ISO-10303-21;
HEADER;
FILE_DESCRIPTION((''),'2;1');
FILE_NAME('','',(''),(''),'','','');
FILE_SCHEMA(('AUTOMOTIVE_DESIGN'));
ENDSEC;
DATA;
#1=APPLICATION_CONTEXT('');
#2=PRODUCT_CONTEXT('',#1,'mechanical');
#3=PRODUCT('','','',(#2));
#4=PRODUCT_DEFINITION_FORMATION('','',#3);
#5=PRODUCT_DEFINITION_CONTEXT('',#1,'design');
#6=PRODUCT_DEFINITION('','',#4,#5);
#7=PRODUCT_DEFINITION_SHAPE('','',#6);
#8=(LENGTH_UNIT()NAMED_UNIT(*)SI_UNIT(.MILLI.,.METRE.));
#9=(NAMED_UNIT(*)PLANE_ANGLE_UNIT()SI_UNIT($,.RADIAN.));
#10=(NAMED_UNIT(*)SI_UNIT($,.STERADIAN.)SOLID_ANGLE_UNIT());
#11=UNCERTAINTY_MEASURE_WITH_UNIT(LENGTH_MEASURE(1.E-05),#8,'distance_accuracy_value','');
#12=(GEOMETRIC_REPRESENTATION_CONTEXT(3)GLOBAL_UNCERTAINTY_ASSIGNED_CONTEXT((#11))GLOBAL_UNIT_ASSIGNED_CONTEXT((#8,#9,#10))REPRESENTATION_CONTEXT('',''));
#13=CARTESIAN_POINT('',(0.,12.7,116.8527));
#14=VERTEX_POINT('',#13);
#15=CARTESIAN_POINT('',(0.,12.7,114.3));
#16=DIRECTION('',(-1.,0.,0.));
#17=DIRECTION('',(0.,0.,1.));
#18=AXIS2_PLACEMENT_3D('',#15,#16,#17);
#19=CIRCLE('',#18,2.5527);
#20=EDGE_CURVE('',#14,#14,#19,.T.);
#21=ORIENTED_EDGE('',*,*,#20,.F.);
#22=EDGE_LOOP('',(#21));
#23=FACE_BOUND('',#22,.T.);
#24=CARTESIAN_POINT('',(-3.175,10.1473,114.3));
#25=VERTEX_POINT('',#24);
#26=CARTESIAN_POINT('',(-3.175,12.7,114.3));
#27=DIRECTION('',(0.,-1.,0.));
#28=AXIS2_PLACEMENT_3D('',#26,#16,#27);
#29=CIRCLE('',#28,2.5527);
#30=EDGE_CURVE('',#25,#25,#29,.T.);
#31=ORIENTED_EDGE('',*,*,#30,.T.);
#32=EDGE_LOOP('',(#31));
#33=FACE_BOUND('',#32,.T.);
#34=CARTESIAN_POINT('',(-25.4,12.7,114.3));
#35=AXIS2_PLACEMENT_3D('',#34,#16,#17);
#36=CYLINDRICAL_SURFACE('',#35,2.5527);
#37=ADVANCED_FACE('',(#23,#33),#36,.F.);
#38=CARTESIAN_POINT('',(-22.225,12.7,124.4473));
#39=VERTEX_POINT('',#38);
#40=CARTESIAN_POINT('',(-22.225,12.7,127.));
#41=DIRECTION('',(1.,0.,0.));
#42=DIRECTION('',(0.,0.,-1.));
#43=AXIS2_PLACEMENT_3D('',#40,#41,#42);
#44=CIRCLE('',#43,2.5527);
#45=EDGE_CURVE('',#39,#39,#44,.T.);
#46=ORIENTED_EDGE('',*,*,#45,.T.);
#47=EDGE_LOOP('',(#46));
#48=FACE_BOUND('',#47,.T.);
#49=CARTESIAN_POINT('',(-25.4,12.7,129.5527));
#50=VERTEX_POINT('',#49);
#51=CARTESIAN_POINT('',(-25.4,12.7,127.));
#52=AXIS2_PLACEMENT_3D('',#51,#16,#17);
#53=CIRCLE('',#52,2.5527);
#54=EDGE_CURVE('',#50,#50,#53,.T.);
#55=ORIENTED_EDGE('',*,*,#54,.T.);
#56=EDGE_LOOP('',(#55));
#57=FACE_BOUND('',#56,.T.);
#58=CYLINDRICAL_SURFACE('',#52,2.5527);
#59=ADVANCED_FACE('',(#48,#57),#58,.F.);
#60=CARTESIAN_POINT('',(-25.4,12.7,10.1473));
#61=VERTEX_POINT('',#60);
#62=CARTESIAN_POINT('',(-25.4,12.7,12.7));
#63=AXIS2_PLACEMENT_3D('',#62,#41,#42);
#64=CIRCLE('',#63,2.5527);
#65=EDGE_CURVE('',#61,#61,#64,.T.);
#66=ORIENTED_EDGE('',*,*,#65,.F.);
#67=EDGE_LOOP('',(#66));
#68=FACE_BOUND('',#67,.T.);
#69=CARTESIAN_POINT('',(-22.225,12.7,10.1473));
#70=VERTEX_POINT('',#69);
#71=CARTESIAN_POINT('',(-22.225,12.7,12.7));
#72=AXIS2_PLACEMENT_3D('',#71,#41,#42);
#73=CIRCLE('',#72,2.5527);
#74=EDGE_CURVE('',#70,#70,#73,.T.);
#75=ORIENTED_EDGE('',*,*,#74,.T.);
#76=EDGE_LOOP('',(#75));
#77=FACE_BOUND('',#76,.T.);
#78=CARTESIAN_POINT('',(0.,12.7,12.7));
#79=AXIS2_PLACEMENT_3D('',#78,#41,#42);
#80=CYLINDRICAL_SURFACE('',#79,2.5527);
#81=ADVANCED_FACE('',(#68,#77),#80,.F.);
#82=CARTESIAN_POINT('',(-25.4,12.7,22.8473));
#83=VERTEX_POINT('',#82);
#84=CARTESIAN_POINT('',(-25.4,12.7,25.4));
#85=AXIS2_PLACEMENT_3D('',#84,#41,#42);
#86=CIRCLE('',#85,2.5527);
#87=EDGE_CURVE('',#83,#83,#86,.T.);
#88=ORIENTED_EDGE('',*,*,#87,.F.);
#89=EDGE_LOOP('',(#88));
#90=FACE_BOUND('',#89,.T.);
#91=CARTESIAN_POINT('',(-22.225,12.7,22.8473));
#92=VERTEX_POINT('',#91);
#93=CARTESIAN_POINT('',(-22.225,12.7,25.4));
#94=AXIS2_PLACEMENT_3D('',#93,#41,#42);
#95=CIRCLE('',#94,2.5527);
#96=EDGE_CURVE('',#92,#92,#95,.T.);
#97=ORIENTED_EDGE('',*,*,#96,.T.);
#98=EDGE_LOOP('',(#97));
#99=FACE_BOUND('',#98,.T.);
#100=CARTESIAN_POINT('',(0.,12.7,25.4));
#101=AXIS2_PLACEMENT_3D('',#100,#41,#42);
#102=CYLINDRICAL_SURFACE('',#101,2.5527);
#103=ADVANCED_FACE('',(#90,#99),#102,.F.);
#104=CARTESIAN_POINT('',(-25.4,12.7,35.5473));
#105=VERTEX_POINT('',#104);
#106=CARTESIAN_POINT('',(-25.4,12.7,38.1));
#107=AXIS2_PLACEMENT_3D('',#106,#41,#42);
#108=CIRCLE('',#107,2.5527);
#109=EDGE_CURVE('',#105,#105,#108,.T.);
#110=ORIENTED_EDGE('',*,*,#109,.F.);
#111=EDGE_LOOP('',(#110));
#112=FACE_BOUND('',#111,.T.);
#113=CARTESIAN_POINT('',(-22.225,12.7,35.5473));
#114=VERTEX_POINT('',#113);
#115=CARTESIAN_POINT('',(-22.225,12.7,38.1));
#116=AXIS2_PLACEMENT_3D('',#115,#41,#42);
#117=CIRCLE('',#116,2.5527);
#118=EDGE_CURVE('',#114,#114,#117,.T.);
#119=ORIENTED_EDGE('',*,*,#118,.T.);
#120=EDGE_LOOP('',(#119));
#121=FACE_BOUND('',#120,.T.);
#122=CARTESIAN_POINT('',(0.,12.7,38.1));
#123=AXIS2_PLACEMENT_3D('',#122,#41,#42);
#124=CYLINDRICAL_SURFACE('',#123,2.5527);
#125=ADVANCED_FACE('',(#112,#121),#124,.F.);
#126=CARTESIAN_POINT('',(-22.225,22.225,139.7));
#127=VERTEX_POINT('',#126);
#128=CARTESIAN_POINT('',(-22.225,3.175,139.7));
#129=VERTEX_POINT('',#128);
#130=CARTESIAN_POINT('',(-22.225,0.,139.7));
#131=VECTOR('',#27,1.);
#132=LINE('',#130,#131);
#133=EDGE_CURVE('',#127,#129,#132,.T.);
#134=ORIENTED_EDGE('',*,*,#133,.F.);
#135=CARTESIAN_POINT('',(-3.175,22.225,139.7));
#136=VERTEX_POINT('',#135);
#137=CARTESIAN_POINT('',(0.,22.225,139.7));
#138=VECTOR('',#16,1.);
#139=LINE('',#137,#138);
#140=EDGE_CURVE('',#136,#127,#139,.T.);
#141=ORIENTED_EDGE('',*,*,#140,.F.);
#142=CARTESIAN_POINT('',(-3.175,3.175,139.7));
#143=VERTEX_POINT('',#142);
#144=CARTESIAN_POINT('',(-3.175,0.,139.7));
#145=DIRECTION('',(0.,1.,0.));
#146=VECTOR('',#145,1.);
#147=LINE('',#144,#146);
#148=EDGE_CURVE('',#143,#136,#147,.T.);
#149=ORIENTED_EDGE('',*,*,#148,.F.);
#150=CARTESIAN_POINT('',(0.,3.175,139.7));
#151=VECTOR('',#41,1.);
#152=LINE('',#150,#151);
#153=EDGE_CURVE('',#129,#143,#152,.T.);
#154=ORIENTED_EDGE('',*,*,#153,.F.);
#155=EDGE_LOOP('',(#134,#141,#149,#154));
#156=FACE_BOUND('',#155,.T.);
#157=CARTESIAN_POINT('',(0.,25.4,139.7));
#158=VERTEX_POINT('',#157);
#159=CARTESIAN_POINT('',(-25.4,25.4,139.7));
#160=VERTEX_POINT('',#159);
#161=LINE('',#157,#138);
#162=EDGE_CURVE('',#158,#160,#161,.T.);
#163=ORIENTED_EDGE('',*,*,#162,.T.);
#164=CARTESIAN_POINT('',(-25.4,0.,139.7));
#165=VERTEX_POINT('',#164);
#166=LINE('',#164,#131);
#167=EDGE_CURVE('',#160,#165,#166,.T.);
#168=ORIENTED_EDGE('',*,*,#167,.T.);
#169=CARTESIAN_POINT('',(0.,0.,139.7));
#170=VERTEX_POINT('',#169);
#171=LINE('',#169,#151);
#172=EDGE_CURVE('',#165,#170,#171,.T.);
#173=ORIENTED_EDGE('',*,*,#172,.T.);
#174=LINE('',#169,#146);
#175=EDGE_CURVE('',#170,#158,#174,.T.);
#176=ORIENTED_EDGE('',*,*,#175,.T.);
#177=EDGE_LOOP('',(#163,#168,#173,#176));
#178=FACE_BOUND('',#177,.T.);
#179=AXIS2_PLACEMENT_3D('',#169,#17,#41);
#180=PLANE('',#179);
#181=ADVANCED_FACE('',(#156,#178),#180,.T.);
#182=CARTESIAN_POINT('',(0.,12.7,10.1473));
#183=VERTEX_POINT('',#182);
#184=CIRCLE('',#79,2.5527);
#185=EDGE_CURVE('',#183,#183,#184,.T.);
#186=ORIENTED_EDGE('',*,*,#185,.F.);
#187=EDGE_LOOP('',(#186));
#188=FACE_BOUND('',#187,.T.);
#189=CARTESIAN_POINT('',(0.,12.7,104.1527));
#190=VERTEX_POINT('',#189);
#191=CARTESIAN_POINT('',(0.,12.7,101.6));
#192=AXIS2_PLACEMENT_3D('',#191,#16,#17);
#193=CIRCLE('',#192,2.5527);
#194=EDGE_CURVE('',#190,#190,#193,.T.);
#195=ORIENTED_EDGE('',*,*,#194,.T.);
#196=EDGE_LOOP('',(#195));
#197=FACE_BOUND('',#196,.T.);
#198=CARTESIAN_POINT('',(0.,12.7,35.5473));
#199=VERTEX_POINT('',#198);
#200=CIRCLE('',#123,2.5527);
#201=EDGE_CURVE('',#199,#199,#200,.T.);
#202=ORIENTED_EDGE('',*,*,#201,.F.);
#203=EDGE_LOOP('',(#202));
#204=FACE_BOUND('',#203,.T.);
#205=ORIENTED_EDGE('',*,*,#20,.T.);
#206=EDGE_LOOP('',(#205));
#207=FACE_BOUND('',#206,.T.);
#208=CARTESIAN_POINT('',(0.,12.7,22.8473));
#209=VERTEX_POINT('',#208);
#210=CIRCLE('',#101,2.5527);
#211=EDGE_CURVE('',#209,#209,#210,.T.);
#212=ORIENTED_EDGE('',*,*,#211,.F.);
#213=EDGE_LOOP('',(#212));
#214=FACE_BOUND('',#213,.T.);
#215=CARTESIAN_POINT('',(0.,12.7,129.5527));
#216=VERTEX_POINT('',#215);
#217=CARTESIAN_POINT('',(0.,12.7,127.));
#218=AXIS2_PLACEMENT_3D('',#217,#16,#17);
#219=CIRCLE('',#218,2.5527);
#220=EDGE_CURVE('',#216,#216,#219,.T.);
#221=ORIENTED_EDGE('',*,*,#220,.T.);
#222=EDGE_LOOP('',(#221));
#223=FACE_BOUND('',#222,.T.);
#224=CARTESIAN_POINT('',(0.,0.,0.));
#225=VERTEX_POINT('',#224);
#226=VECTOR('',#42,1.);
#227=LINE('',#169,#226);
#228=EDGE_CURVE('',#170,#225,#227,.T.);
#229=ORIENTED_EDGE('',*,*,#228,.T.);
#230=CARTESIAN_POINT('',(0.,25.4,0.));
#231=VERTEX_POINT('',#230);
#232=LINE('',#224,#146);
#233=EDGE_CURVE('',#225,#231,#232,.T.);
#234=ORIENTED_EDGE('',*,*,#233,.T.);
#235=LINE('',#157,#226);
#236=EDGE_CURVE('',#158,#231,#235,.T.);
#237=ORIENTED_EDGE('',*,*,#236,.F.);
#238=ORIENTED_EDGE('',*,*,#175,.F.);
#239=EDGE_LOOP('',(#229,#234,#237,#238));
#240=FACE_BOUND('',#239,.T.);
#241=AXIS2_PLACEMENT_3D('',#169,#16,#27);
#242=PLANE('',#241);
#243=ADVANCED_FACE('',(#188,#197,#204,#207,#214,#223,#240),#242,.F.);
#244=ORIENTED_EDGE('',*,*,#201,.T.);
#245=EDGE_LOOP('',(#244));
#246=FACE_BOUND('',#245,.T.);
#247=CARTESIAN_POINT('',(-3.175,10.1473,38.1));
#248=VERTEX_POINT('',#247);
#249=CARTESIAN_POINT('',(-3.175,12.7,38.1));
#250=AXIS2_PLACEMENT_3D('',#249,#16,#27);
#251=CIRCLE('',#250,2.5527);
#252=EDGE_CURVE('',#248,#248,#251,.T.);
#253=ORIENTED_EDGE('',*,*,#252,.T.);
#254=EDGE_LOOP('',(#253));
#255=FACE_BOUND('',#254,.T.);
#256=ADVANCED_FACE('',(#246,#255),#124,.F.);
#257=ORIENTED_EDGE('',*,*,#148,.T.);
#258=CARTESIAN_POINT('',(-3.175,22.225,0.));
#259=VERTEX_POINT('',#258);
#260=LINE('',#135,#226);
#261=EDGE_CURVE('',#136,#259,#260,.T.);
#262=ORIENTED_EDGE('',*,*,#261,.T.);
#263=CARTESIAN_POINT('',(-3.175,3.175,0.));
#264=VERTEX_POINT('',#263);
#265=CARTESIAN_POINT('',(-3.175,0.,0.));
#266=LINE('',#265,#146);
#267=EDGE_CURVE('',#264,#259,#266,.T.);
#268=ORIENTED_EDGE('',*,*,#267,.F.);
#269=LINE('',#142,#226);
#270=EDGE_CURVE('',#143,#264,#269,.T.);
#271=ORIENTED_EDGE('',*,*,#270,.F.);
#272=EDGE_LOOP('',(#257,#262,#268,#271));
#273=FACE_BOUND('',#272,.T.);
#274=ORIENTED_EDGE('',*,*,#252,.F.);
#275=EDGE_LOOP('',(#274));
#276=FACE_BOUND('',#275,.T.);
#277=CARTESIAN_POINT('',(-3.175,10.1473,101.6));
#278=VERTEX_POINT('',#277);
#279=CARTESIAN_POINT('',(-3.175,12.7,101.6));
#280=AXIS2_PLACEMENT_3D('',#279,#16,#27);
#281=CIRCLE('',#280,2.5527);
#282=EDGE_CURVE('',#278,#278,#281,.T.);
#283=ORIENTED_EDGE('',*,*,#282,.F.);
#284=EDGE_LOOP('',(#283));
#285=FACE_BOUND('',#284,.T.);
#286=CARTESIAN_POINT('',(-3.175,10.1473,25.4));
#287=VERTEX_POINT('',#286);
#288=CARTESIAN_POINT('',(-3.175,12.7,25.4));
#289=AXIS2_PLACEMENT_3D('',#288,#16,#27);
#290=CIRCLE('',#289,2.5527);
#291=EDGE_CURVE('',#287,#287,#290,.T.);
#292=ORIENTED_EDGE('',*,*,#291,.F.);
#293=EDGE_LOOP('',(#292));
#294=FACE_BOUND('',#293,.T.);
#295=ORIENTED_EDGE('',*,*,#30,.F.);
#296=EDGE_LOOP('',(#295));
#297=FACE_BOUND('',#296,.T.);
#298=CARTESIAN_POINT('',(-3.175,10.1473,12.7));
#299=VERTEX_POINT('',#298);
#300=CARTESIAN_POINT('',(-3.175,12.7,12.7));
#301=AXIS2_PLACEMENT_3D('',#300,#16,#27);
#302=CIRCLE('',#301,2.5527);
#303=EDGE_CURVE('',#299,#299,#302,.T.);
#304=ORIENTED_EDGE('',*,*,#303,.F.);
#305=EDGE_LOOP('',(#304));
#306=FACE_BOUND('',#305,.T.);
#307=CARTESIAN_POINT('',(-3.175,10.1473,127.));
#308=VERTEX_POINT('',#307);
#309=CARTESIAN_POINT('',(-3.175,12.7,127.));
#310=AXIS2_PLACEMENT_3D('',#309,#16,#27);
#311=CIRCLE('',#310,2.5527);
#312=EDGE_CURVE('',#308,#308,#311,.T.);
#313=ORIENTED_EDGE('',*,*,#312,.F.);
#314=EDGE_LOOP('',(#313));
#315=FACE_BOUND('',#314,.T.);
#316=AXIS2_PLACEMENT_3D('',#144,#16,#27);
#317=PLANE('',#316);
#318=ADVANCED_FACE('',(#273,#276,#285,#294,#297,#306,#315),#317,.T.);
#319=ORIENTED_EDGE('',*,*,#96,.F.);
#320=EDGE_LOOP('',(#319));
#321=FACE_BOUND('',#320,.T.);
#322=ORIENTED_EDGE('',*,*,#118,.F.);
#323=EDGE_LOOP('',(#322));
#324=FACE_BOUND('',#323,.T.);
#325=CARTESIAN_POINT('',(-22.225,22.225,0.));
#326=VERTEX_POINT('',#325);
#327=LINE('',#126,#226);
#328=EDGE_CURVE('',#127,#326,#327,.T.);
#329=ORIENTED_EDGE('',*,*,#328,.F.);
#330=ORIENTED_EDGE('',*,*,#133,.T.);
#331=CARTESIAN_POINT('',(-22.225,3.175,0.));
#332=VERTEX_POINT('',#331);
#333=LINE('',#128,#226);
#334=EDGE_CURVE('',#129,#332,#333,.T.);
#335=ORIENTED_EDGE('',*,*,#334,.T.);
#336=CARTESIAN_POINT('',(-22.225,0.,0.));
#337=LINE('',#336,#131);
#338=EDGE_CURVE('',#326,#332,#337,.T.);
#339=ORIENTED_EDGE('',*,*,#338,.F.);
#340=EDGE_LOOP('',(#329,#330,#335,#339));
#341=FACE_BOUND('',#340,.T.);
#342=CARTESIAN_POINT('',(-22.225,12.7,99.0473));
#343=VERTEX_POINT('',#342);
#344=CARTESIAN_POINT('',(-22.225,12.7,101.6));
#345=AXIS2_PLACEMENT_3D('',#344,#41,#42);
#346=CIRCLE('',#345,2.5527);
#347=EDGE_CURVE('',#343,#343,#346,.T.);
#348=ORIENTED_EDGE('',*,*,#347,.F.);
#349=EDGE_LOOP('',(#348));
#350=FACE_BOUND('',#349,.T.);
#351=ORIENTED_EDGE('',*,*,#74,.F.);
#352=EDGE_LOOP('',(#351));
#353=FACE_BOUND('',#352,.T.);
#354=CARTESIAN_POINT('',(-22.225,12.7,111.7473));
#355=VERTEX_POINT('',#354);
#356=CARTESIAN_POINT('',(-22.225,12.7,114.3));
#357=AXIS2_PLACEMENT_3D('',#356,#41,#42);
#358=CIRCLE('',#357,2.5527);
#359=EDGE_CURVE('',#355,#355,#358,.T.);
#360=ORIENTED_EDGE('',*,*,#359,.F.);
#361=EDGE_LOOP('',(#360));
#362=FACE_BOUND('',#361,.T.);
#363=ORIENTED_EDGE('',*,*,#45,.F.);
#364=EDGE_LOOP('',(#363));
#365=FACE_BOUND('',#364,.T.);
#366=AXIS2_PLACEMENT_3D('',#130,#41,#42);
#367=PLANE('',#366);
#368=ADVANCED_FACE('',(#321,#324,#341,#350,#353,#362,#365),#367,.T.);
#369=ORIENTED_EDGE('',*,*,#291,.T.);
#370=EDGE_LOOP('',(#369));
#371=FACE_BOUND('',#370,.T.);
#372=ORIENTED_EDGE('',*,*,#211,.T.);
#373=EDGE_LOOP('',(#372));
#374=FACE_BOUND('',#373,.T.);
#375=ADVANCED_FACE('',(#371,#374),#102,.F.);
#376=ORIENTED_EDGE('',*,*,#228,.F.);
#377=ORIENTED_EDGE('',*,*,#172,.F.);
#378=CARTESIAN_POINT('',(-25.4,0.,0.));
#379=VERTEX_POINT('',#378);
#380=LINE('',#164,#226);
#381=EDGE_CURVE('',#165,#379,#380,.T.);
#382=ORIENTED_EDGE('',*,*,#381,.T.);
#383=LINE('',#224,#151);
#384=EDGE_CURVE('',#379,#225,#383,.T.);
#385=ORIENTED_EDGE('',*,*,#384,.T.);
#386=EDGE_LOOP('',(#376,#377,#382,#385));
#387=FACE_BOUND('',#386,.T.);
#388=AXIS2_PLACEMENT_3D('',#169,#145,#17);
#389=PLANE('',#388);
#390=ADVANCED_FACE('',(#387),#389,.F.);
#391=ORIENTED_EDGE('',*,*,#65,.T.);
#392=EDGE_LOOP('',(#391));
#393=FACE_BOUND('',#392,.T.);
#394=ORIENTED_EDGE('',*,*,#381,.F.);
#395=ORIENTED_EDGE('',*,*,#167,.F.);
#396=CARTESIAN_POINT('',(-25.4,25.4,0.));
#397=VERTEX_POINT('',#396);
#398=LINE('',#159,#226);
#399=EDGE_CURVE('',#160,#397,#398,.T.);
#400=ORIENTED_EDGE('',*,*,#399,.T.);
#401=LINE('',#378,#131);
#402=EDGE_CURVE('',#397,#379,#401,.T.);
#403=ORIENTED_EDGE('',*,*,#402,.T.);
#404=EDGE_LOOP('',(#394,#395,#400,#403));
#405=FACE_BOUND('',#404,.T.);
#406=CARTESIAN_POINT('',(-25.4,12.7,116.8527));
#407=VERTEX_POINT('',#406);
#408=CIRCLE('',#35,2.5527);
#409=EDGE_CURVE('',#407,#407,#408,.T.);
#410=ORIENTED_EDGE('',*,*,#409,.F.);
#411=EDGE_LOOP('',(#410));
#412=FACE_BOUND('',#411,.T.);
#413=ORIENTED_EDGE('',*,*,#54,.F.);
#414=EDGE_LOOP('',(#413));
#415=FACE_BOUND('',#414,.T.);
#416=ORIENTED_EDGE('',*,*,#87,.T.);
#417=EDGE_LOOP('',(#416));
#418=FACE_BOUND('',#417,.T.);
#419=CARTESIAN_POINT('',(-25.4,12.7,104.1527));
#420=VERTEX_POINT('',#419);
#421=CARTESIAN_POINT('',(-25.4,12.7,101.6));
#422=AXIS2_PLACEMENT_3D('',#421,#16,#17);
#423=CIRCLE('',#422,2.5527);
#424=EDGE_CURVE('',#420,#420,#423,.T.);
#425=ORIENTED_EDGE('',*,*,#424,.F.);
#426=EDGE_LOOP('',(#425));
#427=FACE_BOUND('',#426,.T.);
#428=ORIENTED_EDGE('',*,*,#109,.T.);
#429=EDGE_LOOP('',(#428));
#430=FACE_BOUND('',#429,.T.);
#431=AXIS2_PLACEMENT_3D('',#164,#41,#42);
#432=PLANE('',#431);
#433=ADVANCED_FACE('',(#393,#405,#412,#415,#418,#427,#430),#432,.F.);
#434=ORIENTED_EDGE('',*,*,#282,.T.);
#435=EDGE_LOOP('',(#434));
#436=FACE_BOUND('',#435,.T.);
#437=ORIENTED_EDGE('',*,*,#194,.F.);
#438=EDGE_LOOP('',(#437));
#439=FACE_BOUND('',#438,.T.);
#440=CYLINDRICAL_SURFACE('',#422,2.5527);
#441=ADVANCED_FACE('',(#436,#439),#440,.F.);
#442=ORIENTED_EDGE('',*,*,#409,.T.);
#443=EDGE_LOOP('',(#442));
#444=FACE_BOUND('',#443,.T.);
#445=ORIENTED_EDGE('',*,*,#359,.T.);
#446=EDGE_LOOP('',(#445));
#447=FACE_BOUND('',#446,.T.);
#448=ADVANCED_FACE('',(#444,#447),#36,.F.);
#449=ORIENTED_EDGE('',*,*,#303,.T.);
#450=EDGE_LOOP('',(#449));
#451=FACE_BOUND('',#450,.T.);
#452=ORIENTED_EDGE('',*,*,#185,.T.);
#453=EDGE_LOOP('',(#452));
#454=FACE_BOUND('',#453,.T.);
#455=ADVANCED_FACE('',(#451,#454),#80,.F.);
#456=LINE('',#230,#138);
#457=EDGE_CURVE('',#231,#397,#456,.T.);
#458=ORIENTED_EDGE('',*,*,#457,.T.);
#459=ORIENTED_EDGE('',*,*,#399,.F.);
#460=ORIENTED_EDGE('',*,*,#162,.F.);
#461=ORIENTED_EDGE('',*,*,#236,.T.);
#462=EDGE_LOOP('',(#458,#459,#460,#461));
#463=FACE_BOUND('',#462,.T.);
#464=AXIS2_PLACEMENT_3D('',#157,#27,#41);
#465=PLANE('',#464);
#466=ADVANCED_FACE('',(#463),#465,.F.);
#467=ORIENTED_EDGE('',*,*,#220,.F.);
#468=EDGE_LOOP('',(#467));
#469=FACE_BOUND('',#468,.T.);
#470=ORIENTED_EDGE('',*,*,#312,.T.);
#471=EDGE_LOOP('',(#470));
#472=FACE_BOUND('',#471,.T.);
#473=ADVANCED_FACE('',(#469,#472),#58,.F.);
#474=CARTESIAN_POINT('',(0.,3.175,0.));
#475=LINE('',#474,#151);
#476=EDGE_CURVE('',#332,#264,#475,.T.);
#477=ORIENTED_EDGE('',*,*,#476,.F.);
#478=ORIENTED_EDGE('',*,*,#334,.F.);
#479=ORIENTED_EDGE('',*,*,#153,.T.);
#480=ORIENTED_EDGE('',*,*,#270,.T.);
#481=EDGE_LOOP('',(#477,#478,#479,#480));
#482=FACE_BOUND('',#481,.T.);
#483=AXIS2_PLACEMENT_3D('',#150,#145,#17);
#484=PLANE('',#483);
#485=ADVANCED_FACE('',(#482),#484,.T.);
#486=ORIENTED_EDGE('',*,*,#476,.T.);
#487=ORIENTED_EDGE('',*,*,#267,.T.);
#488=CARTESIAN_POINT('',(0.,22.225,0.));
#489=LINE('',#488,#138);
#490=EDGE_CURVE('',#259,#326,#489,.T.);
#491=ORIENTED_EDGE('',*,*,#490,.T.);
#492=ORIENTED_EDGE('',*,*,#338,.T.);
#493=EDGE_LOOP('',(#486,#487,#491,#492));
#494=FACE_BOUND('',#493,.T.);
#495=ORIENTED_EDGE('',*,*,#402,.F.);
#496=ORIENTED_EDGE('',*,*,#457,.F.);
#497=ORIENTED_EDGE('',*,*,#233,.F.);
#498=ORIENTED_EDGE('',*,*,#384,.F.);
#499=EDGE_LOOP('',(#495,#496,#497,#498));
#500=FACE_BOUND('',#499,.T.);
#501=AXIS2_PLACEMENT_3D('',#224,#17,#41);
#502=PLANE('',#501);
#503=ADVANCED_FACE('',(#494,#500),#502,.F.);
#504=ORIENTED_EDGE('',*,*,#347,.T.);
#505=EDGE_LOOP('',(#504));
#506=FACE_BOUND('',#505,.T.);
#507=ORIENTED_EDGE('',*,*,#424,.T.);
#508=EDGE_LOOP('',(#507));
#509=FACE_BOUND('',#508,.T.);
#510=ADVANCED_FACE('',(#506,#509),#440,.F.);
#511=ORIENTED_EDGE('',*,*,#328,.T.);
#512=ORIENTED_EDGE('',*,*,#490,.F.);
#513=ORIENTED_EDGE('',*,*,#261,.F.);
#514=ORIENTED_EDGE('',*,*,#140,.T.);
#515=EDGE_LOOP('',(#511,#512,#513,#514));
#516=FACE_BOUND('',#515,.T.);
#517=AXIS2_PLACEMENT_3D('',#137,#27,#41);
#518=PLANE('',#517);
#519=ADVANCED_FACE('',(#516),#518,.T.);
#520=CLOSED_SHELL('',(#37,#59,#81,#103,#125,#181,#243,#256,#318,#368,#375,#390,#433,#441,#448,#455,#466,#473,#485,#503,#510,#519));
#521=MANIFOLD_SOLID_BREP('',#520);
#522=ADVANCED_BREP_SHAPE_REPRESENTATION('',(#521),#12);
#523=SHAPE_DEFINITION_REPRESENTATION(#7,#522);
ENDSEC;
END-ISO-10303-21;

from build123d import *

# Parameters (mm, degrees)
SKETCH1_W              = 25.4
SKETCH1_H              = 25.4
SKETCH1_W_2            = 19.05
SKETCH1_H_2            = 19.05
EXTRUDE_THIN1_DEPTH    = 139.7
F_10_CLEARANCE_HOLE1_D = 5.1054
F_10_CLEARANCE_HOLE2_D = 5.1054


with BuildPart() as part:
    # Sketch1 → Extrude-Thin1 (new body)
    with BuildSketch(Plane.XY):
        with Locations((-12.7, 12.7)):
            Rectangle(SKETCH1_W, SKETCH1_H)
        with Locations((-12.7, 12.7)):
            Rectangle(SKETCH1_W_2, SKETCH1_H_2, mode=Mode.SUBTRACT)
    extrude(amount=EXTRUDE_THIN1_DEPTH)

    # #10 Clearance Hole1 (through all)
    with Locations(Plane(origin=(0, 0, 0), x_dir=(0, 0, -1), z_dir=(1, 0, 0))):
        with Locations((-12.7, 12.7), (-25.4, 12.7), (-38.1, 12.7)):
            Hole(F_10_CLEARANCE_HOLE1_D / 2)

    # #10 Clearance Hole2 (through all)
    with Locations(Plane.ZY.offset(25.4)):
        with Locations((114.3, 12.7), (127, 12.7), (101.6, 12.7)):
            Hole(F_10_CLEARANCE_HOLE2_D / 2)


solid = part.part
